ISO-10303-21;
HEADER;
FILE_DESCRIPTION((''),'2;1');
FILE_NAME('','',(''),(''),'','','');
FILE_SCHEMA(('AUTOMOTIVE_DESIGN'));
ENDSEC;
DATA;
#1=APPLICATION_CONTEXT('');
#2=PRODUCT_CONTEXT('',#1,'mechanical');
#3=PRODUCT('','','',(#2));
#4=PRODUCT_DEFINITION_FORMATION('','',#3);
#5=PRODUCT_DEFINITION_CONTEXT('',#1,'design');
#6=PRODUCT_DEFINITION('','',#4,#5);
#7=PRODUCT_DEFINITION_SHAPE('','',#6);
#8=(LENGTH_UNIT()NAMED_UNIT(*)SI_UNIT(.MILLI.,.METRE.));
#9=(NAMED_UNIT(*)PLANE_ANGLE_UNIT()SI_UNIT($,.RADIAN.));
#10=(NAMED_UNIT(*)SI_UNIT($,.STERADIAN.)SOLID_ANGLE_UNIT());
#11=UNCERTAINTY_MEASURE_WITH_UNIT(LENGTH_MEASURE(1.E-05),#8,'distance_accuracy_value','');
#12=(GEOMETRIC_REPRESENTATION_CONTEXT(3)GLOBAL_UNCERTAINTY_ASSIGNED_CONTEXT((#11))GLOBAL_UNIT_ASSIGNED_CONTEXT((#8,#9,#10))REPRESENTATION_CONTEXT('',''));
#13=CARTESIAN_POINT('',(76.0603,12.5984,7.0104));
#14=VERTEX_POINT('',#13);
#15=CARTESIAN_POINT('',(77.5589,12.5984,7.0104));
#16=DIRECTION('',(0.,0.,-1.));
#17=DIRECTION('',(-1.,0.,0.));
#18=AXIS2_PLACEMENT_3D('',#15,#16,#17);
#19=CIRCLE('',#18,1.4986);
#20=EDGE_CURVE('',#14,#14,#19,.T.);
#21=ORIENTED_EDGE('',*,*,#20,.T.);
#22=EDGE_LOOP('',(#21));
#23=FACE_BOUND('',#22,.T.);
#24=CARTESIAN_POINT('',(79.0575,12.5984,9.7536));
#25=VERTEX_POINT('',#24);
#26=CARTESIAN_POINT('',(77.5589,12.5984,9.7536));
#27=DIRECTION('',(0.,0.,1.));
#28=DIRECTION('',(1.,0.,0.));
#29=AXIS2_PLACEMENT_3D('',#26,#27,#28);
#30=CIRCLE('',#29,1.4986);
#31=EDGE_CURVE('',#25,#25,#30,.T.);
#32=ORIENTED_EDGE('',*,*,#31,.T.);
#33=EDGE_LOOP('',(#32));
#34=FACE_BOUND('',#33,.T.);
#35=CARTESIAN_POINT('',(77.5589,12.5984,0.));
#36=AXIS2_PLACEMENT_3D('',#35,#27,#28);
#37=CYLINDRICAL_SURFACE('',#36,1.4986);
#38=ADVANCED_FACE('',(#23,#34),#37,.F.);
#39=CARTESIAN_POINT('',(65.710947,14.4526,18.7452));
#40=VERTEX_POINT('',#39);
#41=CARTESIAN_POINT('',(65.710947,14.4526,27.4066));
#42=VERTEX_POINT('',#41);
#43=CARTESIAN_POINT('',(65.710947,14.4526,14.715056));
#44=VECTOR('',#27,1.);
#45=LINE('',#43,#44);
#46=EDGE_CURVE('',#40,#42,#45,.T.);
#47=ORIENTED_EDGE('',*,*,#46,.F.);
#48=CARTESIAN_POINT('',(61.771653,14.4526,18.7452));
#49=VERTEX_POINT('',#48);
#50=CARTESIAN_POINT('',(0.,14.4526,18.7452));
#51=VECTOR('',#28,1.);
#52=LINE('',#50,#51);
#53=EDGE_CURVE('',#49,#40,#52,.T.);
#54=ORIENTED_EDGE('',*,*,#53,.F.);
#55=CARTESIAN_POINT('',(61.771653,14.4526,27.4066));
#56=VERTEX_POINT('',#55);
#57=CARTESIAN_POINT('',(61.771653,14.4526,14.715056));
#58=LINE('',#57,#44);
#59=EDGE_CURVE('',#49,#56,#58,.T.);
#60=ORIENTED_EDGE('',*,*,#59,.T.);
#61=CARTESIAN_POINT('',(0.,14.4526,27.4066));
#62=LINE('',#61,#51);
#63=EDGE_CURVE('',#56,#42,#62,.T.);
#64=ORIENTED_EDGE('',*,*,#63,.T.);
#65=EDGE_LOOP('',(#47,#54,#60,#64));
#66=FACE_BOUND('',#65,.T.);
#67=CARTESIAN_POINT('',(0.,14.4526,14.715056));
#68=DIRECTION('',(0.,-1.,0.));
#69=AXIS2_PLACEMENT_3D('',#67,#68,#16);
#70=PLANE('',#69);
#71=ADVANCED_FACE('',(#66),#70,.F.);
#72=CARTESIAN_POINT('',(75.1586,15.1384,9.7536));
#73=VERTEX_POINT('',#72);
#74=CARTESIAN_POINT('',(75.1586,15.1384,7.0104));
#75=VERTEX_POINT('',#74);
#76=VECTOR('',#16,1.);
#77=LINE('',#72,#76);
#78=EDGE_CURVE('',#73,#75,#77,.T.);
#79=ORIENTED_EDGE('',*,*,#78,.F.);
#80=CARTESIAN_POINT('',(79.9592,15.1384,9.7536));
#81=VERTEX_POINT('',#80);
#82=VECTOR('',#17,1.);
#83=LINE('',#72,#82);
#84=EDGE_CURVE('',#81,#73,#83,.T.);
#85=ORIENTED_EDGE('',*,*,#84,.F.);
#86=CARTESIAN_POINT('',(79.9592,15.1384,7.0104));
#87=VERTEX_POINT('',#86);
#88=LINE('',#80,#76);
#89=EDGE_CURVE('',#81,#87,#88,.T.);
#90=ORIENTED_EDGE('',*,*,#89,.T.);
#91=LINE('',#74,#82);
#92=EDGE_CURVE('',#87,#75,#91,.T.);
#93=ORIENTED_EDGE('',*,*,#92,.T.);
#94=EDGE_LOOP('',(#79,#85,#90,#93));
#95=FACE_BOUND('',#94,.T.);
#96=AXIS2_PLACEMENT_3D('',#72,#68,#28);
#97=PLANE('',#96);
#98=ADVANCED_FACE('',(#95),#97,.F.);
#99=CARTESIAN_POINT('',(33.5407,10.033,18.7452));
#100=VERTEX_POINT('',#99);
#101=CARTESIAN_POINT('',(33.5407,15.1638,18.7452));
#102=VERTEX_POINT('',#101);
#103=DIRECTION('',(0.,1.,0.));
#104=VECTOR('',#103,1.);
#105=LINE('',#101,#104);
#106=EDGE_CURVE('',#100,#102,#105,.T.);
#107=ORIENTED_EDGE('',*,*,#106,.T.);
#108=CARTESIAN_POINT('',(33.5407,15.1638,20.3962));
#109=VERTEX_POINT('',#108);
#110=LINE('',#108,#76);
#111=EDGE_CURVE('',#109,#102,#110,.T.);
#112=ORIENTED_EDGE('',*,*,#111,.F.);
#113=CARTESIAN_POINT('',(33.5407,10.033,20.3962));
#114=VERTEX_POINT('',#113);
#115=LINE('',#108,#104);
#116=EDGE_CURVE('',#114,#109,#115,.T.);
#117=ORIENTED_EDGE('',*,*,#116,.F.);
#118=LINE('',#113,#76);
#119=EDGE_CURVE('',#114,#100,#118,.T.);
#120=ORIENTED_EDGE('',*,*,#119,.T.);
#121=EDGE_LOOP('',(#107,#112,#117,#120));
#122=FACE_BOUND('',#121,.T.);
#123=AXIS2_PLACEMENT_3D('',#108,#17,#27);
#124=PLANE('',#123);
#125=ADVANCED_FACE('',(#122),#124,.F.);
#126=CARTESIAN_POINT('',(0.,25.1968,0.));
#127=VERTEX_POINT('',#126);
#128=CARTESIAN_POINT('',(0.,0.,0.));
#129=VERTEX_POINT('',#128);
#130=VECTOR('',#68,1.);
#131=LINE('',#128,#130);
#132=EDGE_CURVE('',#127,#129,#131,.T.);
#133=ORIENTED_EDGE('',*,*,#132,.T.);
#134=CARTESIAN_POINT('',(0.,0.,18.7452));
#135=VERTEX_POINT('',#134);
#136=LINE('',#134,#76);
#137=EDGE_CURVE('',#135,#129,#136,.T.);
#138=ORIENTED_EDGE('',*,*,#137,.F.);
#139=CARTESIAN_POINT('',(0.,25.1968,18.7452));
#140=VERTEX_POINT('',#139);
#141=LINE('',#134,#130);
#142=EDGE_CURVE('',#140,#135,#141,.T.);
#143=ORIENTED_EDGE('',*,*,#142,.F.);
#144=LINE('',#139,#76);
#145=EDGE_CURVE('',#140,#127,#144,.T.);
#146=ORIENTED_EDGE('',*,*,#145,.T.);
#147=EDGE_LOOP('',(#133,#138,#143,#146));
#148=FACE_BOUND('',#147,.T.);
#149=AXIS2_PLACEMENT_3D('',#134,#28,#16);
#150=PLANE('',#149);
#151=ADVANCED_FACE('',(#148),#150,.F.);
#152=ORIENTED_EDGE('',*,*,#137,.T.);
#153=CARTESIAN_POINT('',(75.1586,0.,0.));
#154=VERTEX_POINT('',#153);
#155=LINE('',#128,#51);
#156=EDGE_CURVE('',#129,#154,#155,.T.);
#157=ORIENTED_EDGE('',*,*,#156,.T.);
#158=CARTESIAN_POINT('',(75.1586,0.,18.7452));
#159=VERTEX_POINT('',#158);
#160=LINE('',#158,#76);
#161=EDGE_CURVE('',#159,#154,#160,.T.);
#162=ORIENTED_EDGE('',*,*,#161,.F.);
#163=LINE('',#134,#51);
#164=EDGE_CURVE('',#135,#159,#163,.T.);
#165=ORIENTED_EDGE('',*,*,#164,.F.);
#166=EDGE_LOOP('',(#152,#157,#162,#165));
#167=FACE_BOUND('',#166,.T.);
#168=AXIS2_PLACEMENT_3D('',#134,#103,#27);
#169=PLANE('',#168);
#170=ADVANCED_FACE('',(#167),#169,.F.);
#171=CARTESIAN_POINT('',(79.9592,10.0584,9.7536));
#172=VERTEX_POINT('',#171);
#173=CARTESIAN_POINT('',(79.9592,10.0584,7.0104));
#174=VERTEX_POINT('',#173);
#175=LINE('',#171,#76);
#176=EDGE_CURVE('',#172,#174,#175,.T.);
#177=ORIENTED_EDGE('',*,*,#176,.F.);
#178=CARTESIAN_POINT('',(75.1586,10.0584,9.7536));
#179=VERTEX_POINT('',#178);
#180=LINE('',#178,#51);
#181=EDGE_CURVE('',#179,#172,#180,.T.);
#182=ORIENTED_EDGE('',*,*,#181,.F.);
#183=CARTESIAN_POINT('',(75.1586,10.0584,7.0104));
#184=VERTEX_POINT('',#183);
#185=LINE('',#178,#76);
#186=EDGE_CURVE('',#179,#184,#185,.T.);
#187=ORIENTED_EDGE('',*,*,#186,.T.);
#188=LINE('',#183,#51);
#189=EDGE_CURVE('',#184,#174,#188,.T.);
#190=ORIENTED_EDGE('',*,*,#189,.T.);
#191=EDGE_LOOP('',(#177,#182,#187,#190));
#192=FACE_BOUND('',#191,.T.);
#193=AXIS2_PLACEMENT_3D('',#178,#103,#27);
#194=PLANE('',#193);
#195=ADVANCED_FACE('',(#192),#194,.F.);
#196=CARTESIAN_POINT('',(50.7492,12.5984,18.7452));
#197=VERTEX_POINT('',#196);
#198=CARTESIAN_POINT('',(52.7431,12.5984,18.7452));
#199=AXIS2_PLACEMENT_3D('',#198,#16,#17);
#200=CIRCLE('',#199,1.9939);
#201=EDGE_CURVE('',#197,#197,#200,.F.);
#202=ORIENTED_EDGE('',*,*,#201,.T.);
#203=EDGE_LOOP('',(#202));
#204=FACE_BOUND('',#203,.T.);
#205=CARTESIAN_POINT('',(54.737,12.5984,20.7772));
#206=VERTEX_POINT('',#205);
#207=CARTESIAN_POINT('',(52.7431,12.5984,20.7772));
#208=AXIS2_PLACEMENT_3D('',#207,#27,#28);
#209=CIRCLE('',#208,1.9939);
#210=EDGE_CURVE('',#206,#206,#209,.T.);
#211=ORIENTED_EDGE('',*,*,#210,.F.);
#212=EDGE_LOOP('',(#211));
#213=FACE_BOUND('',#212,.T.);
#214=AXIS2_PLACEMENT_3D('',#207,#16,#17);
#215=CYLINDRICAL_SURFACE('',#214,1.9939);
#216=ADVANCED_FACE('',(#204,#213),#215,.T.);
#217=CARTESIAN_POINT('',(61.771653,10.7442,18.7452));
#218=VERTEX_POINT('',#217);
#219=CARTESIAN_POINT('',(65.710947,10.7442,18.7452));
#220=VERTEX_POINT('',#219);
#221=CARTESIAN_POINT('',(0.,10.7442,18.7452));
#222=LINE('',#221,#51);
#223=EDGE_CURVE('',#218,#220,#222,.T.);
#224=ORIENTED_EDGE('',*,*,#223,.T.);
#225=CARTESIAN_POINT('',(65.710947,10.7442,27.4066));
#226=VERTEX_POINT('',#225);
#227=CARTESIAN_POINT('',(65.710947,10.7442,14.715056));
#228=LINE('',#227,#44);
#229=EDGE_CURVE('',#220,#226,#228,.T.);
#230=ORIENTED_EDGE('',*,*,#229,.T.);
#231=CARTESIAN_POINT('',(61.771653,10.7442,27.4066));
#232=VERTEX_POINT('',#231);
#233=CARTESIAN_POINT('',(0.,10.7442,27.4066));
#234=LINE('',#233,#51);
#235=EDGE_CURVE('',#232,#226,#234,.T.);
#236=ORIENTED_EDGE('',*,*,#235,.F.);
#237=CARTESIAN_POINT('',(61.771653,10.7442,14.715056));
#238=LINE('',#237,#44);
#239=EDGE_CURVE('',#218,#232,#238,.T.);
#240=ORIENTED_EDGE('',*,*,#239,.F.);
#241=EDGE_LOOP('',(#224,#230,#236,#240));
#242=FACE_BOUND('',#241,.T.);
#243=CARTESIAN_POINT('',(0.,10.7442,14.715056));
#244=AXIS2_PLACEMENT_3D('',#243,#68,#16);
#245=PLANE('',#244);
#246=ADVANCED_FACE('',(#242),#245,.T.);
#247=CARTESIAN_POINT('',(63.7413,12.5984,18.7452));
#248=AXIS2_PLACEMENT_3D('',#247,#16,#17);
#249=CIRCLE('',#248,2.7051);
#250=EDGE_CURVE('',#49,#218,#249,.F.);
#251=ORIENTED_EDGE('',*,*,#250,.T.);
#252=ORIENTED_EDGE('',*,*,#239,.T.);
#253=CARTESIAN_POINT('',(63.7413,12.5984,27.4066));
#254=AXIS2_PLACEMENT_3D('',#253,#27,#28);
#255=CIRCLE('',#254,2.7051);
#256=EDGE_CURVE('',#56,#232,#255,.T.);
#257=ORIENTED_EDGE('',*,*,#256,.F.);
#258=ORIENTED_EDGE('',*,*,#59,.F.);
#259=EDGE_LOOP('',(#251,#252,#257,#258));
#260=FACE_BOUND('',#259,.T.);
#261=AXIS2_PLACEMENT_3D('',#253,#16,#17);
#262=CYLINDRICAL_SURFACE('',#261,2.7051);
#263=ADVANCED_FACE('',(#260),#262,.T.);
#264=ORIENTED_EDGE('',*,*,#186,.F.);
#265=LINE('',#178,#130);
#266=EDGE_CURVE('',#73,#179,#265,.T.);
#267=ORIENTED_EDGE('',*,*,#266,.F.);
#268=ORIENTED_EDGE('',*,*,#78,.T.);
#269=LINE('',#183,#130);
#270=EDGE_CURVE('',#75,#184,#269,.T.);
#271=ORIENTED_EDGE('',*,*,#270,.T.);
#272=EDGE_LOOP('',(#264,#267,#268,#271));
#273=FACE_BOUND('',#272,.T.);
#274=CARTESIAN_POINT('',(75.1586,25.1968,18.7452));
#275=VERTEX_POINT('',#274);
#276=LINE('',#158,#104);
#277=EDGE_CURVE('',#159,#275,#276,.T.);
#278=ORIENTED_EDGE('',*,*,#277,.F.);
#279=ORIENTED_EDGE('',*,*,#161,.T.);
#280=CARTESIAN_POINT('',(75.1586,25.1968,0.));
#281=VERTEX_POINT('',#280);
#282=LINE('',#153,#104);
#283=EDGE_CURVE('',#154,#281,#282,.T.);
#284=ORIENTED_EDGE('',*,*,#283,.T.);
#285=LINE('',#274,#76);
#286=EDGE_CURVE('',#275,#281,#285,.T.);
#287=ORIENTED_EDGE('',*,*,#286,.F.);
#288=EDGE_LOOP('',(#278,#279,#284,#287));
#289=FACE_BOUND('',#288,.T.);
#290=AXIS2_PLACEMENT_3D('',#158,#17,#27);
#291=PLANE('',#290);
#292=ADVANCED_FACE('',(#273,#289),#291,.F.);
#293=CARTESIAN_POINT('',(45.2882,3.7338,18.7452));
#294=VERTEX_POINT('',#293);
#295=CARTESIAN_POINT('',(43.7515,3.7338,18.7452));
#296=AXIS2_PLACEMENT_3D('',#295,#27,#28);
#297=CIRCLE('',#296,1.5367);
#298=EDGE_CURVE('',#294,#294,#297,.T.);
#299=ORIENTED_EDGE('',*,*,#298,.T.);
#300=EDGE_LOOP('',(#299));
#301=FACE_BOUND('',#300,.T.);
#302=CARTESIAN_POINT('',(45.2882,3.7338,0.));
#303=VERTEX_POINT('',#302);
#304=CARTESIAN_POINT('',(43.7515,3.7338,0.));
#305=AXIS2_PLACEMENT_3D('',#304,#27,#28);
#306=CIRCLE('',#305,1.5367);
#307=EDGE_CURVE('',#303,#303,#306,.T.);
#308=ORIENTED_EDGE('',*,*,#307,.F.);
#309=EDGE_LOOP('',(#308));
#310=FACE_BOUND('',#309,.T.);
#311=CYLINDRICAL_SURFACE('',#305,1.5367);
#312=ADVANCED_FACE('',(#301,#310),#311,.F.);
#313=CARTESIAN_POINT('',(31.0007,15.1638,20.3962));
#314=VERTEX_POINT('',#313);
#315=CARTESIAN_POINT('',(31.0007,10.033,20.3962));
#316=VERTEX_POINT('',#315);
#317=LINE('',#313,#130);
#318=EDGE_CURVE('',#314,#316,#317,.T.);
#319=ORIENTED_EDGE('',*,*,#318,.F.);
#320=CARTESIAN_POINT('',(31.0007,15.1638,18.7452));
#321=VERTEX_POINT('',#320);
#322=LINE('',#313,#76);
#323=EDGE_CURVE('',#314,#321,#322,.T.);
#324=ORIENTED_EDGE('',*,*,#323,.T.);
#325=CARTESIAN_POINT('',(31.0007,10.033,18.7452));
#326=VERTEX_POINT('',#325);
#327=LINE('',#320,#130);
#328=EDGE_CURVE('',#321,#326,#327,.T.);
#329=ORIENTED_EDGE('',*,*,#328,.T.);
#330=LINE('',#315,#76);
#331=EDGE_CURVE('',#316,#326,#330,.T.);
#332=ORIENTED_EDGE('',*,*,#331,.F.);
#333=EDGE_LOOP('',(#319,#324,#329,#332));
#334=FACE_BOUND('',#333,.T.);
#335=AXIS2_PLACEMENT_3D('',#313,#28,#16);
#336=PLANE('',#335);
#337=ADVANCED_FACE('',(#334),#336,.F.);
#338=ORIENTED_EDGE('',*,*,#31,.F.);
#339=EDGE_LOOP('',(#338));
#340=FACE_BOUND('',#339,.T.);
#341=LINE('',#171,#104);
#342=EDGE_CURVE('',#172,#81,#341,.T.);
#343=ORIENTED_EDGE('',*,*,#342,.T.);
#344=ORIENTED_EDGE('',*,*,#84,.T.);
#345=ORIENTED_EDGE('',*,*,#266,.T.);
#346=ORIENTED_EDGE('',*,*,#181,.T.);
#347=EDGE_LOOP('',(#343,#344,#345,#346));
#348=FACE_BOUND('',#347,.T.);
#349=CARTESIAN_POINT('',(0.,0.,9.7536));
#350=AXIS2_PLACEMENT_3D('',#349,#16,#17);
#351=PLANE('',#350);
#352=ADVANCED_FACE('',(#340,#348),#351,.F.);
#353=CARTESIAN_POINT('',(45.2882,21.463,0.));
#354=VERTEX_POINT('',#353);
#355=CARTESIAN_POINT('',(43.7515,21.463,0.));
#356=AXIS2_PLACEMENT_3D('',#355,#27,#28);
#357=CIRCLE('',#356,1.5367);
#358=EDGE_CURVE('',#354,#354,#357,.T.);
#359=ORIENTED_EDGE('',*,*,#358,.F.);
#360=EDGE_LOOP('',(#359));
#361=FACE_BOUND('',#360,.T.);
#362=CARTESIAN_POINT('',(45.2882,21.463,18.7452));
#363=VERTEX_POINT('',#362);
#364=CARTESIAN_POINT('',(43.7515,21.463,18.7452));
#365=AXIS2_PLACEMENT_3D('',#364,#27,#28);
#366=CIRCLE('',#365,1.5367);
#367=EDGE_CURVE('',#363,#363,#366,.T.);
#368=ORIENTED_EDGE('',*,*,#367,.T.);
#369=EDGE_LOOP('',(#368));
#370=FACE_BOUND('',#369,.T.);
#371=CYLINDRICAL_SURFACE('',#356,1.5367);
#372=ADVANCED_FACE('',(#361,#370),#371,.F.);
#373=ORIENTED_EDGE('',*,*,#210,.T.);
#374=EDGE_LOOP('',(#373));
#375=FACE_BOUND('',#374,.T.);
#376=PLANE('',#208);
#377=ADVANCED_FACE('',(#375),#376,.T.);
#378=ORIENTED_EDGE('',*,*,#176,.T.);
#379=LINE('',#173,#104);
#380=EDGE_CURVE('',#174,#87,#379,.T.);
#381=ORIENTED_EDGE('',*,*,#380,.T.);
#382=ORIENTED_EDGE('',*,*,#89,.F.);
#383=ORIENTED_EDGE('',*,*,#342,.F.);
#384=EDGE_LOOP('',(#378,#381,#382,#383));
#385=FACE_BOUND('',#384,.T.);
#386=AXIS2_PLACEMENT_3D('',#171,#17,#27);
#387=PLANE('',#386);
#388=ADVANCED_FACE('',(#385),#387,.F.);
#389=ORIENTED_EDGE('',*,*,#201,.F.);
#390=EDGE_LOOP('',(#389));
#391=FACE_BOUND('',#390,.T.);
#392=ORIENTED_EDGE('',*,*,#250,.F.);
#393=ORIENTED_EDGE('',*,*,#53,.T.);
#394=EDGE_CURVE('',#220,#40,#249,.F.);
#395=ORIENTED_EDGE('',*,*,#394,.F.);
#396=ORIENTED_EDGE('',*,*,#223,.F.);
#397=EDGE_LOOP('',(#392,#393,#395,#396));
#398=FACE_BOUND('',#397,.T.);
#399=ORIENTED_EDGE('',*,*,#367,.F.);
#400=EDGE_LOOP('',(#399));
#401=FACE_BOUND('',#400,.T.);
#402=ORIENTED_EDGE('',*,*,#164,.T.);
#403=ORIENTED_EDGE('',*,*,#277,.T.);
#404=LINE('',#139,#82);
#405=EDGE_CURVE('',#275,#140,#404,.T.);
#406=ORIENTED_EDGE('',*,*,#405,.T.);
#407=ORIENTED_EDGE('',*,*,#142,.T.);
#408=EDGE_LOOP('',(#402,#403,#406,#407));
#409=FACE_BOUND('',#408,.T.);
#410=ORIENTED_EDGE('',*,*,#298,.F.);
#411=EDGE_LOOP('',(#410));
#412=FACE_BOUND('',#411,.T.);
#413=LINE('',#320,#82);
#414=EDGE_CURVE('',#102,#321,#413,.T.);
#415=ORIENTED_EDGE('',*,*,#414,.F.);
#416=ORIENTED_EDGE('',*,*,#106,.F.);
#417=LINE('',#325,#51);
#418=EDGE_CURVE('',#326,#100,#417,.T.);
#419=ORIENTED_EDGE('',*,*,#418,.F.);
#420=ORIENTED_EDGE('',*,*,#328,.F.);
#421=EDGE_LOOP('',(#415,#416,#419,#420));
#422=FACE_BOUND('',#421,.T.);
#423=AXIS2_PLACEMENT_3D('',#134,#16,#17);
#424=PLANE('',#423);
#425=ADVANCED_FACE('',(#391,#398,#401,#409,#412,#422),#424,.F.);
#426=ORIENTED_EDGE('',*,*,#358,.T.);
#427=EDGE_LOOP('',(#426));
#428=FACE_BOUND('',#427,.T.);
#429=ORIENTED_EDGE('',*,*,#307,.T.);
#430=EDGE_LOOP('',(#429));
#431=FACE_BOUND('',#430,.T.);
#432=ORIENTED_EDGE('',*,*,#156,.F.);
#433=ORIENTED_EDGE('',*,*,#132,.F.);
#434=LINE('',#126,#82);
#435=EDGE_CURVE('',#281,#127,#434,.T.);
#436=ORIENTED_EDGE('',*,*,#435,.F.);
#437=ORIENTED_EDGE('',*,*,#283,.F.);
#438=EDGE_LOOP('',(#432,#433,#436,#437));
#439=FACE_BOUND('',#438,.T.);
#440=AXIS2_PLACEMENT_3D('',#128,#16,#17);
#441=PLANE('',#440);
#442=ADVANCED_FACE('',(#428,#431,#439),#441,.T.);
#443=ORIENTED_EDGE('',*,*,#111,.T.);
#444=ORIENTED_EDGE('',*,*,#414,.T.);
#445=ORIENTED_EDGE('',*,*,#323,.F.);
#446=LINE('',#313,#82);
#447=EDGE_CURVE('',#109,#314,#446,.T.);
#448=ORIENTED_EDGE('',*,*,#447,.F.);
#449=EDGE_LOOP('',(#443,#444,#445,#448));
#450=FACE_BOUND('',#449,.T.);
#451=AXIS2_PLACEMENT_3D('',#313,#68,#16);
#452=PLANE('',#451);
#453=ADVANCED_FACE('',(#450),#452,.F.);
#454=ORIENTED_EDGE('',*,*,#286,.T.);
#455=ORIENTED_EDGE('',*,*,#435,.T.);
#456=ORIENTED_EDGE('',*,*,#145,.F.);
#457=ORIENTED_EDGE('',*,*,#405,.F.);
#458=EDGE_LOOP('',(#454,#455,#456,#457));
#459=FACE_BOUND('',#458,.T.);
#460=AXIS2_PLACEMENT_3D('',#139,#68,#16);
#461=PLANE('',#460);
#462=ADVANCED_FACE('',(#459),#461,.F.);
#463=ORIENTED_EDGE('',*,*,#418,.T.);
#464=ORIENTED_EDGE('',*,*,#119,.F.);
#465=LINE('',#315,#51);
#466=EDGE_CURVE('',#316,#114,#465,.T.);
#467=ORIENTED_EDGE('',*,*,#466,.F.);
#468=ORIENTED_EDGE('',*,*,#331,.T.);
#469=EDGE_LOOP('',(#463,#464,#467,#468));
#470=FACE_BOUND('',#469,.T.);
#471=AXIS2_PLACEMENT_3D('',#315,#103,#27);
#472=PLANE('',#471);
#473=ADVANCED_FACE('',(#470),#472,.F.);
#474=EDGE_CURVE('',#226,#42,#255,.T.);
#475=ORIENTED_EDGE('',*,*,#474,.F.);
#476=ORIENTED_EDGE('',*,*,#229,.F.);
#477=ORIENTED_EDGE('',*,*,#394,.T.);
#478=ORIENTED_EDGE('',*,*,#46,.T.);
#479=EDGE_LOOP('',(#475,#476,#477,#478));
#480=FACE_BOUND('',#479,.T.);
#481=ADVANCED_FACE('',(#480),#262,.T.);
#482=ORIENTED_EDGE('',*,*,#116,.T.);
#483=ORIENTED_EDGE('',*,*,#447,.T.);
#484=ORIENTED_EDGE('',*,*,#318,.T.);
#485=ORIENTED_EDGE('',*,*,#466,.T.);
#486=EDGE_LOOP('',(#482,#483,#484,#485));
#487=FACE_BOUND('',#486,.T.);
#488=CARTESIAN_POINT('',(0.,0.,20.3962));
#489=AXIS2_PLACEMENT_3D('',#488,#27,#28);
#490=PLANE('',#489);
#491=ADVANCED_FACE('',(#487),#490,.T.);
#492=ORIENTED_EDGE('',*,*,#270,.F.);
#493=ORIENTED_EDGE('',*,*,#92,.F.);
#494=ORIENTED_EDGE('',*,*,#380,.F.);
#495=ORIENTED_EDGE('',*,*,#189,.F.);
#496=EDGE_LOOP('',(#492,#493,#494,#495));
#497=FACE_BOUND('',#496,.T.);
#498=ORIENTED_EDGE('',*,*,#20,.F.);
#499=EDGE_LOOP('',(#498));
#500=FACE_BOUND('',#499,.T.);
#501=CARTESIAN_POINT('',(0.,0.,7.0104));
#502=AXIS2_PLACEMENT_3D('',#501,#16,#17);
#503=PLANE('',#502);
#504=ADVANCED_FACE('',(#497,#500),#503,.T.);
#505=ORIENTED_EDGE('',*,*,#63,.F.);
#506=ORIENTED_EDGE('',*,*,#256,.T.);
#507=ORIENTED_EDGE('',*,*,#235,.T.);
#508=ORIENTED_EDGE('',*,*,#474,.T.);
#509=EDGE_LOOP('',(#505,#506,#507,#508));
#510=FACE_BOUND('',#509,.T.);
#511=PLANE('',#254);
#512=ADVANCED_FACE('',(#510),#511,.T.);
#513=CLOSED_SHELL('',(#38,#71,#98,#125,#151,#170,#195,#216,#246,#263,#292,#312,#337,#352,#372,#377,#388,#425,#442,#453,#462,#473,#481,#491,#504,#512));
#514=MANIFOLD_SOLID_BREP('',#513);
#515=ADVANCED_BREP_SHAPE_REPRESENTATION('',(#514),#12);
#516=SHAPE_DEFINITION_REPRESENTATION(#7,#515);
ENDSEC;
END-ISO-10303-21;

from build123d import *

# Parameters (mm, degrees)
SKETCH1_W           = 75.1586
SKETCH1_H           = 25.1968
BOSS_EXTRUDE1_DEPTH = 18.7452
SKETCH2_W           = 4.8006
SKETCH2_H           = 5.08
BOSS_EXTRUDE2_DEPTH = 2.7432
SKETCH4_R           = 1.4986
CUT_EXTRUDE1_DEPTH  = 85.400741157
SKETCH3_R           = 1.9939
BOSS_EXTRUDE3_DEPTH = 2.032
SKETCH5_R           = 2.7051
BOSS_EXTRUDE4_DEPTH = 8.6614
CUT_EXTRUDE2_START  = -8.6614
CUT_EXTRUDE2_DEPTH  = 8.6614
SKETCH7_R           = 1.5367
CUT_EXTRUDE3_DEPTH  = 86.905383521
SKETCH8_W           = 2.54
SKETCH8_H           = 5.1308
BOSS_EXTRUDE5_DEPTH = 1.651


with BuildPart() as part:
    # Sketch1 → Boss-Extrude1 (new body)
    with BuildSketch(Plane.XY):
        with Locations((37.5793, 12.5984)):
            Rectangle(SKETCH1_W, SKETCH1_H)
    extrude(amount=BOSS_EXTRUDE1_DEPTH)

    # Sketch2 → Boss-Extrude2 (add)
    with BuildSketch(Plane.XY.offset(7.0104)):
        with Locations((77.5589, 12.5984)):
            Rectangle(SKETCH2_W, SKETCH2_H)
    extrude(amount=BOSS_EXTRUDE2_DEPTH)

    # Sketch4 → Cut-Extrude1 (cut, through all)
    with BuildSketch(Plane.XY.offset(9.7536)):
        with Locations((77.5589, 12.5984)):
            Circle(SKETCH4_R)
    extrude(amount=-CUT_EXTRUDE1_DEPTH, mode=Mode.SUBTRACT)

    # Sketch3 → Boss-Extrude3 (add)
    with BuildSketch(Plane.XY.offset(18.7452)):
        with Locations(Location((52.7431, 12.5984, 0), (0, 0, 180))):
            Circle(SKETCH3_R)
    extrude(amount=BOSS_EXTRUDE3_DEPTH)

    # Sketch5 → Boss-Extrude4 (add)
    with BuildSketch(Plane.XY.offset(18.7452)):
        with Locations(Location((63.7413, 12.5984, 0), (0, 0, 180))):
            Circle(SKETCH5_R)
    extrude(amount=BOSS_EXTRUDE4_DEPTH)

    # Sketch6 → Cut-Extrude2 (cut)
    with BuildSketch(Plane.XY.offset(27.4066).offset(CUT_EXTRUDE2_START)):
        with BuildLine():
            ThreePointArc((65.710946763, 14.4526), (63.7413, 15.3035), (61.771653237, 14.4526))
            Line((61.771653237, 14.4526), (65.710946763, 14.4526))
        make_face()
        with BuildLine():
            Line((65.710946763, 10.7442), (61.771653237, 10.7442))
            ThreePointArc((61.771653237, 10.7442), (63.7413, 9.8933), (65.710946763, 10.7442))
        make_face()
    extrude(amount=CUT_EXTRUDE2_DEPTH, mode=Mode.SUBTRACT)

    # Sketch7 → Cut-Extrude3 (cut, through all)
    with BuildSketch(Plane.XY.offset(18.7452)):
        with Locations((43.7515, 21.463)):
            Circle(SKETCH7_R)
        with Locations((43.7515, 3.7338)):
            Circle(SKETCH7_R)
    extrude(amount=-CUT_EXTRUDE3_DEPTH, mode=Mode.SUBTRACT)

    # Sketch8 → Boss-Extrude5 (add)
    with BuildSketch(Plane.XY.offset(18.7452)):
        with Locations((32.2707, 12.5984)):
            Rectangle(SKETCH8_W, SKETCH8_H)
    extrude(amount=BOSS_EXTRUDE5_DEPTH)


solid = part.part
